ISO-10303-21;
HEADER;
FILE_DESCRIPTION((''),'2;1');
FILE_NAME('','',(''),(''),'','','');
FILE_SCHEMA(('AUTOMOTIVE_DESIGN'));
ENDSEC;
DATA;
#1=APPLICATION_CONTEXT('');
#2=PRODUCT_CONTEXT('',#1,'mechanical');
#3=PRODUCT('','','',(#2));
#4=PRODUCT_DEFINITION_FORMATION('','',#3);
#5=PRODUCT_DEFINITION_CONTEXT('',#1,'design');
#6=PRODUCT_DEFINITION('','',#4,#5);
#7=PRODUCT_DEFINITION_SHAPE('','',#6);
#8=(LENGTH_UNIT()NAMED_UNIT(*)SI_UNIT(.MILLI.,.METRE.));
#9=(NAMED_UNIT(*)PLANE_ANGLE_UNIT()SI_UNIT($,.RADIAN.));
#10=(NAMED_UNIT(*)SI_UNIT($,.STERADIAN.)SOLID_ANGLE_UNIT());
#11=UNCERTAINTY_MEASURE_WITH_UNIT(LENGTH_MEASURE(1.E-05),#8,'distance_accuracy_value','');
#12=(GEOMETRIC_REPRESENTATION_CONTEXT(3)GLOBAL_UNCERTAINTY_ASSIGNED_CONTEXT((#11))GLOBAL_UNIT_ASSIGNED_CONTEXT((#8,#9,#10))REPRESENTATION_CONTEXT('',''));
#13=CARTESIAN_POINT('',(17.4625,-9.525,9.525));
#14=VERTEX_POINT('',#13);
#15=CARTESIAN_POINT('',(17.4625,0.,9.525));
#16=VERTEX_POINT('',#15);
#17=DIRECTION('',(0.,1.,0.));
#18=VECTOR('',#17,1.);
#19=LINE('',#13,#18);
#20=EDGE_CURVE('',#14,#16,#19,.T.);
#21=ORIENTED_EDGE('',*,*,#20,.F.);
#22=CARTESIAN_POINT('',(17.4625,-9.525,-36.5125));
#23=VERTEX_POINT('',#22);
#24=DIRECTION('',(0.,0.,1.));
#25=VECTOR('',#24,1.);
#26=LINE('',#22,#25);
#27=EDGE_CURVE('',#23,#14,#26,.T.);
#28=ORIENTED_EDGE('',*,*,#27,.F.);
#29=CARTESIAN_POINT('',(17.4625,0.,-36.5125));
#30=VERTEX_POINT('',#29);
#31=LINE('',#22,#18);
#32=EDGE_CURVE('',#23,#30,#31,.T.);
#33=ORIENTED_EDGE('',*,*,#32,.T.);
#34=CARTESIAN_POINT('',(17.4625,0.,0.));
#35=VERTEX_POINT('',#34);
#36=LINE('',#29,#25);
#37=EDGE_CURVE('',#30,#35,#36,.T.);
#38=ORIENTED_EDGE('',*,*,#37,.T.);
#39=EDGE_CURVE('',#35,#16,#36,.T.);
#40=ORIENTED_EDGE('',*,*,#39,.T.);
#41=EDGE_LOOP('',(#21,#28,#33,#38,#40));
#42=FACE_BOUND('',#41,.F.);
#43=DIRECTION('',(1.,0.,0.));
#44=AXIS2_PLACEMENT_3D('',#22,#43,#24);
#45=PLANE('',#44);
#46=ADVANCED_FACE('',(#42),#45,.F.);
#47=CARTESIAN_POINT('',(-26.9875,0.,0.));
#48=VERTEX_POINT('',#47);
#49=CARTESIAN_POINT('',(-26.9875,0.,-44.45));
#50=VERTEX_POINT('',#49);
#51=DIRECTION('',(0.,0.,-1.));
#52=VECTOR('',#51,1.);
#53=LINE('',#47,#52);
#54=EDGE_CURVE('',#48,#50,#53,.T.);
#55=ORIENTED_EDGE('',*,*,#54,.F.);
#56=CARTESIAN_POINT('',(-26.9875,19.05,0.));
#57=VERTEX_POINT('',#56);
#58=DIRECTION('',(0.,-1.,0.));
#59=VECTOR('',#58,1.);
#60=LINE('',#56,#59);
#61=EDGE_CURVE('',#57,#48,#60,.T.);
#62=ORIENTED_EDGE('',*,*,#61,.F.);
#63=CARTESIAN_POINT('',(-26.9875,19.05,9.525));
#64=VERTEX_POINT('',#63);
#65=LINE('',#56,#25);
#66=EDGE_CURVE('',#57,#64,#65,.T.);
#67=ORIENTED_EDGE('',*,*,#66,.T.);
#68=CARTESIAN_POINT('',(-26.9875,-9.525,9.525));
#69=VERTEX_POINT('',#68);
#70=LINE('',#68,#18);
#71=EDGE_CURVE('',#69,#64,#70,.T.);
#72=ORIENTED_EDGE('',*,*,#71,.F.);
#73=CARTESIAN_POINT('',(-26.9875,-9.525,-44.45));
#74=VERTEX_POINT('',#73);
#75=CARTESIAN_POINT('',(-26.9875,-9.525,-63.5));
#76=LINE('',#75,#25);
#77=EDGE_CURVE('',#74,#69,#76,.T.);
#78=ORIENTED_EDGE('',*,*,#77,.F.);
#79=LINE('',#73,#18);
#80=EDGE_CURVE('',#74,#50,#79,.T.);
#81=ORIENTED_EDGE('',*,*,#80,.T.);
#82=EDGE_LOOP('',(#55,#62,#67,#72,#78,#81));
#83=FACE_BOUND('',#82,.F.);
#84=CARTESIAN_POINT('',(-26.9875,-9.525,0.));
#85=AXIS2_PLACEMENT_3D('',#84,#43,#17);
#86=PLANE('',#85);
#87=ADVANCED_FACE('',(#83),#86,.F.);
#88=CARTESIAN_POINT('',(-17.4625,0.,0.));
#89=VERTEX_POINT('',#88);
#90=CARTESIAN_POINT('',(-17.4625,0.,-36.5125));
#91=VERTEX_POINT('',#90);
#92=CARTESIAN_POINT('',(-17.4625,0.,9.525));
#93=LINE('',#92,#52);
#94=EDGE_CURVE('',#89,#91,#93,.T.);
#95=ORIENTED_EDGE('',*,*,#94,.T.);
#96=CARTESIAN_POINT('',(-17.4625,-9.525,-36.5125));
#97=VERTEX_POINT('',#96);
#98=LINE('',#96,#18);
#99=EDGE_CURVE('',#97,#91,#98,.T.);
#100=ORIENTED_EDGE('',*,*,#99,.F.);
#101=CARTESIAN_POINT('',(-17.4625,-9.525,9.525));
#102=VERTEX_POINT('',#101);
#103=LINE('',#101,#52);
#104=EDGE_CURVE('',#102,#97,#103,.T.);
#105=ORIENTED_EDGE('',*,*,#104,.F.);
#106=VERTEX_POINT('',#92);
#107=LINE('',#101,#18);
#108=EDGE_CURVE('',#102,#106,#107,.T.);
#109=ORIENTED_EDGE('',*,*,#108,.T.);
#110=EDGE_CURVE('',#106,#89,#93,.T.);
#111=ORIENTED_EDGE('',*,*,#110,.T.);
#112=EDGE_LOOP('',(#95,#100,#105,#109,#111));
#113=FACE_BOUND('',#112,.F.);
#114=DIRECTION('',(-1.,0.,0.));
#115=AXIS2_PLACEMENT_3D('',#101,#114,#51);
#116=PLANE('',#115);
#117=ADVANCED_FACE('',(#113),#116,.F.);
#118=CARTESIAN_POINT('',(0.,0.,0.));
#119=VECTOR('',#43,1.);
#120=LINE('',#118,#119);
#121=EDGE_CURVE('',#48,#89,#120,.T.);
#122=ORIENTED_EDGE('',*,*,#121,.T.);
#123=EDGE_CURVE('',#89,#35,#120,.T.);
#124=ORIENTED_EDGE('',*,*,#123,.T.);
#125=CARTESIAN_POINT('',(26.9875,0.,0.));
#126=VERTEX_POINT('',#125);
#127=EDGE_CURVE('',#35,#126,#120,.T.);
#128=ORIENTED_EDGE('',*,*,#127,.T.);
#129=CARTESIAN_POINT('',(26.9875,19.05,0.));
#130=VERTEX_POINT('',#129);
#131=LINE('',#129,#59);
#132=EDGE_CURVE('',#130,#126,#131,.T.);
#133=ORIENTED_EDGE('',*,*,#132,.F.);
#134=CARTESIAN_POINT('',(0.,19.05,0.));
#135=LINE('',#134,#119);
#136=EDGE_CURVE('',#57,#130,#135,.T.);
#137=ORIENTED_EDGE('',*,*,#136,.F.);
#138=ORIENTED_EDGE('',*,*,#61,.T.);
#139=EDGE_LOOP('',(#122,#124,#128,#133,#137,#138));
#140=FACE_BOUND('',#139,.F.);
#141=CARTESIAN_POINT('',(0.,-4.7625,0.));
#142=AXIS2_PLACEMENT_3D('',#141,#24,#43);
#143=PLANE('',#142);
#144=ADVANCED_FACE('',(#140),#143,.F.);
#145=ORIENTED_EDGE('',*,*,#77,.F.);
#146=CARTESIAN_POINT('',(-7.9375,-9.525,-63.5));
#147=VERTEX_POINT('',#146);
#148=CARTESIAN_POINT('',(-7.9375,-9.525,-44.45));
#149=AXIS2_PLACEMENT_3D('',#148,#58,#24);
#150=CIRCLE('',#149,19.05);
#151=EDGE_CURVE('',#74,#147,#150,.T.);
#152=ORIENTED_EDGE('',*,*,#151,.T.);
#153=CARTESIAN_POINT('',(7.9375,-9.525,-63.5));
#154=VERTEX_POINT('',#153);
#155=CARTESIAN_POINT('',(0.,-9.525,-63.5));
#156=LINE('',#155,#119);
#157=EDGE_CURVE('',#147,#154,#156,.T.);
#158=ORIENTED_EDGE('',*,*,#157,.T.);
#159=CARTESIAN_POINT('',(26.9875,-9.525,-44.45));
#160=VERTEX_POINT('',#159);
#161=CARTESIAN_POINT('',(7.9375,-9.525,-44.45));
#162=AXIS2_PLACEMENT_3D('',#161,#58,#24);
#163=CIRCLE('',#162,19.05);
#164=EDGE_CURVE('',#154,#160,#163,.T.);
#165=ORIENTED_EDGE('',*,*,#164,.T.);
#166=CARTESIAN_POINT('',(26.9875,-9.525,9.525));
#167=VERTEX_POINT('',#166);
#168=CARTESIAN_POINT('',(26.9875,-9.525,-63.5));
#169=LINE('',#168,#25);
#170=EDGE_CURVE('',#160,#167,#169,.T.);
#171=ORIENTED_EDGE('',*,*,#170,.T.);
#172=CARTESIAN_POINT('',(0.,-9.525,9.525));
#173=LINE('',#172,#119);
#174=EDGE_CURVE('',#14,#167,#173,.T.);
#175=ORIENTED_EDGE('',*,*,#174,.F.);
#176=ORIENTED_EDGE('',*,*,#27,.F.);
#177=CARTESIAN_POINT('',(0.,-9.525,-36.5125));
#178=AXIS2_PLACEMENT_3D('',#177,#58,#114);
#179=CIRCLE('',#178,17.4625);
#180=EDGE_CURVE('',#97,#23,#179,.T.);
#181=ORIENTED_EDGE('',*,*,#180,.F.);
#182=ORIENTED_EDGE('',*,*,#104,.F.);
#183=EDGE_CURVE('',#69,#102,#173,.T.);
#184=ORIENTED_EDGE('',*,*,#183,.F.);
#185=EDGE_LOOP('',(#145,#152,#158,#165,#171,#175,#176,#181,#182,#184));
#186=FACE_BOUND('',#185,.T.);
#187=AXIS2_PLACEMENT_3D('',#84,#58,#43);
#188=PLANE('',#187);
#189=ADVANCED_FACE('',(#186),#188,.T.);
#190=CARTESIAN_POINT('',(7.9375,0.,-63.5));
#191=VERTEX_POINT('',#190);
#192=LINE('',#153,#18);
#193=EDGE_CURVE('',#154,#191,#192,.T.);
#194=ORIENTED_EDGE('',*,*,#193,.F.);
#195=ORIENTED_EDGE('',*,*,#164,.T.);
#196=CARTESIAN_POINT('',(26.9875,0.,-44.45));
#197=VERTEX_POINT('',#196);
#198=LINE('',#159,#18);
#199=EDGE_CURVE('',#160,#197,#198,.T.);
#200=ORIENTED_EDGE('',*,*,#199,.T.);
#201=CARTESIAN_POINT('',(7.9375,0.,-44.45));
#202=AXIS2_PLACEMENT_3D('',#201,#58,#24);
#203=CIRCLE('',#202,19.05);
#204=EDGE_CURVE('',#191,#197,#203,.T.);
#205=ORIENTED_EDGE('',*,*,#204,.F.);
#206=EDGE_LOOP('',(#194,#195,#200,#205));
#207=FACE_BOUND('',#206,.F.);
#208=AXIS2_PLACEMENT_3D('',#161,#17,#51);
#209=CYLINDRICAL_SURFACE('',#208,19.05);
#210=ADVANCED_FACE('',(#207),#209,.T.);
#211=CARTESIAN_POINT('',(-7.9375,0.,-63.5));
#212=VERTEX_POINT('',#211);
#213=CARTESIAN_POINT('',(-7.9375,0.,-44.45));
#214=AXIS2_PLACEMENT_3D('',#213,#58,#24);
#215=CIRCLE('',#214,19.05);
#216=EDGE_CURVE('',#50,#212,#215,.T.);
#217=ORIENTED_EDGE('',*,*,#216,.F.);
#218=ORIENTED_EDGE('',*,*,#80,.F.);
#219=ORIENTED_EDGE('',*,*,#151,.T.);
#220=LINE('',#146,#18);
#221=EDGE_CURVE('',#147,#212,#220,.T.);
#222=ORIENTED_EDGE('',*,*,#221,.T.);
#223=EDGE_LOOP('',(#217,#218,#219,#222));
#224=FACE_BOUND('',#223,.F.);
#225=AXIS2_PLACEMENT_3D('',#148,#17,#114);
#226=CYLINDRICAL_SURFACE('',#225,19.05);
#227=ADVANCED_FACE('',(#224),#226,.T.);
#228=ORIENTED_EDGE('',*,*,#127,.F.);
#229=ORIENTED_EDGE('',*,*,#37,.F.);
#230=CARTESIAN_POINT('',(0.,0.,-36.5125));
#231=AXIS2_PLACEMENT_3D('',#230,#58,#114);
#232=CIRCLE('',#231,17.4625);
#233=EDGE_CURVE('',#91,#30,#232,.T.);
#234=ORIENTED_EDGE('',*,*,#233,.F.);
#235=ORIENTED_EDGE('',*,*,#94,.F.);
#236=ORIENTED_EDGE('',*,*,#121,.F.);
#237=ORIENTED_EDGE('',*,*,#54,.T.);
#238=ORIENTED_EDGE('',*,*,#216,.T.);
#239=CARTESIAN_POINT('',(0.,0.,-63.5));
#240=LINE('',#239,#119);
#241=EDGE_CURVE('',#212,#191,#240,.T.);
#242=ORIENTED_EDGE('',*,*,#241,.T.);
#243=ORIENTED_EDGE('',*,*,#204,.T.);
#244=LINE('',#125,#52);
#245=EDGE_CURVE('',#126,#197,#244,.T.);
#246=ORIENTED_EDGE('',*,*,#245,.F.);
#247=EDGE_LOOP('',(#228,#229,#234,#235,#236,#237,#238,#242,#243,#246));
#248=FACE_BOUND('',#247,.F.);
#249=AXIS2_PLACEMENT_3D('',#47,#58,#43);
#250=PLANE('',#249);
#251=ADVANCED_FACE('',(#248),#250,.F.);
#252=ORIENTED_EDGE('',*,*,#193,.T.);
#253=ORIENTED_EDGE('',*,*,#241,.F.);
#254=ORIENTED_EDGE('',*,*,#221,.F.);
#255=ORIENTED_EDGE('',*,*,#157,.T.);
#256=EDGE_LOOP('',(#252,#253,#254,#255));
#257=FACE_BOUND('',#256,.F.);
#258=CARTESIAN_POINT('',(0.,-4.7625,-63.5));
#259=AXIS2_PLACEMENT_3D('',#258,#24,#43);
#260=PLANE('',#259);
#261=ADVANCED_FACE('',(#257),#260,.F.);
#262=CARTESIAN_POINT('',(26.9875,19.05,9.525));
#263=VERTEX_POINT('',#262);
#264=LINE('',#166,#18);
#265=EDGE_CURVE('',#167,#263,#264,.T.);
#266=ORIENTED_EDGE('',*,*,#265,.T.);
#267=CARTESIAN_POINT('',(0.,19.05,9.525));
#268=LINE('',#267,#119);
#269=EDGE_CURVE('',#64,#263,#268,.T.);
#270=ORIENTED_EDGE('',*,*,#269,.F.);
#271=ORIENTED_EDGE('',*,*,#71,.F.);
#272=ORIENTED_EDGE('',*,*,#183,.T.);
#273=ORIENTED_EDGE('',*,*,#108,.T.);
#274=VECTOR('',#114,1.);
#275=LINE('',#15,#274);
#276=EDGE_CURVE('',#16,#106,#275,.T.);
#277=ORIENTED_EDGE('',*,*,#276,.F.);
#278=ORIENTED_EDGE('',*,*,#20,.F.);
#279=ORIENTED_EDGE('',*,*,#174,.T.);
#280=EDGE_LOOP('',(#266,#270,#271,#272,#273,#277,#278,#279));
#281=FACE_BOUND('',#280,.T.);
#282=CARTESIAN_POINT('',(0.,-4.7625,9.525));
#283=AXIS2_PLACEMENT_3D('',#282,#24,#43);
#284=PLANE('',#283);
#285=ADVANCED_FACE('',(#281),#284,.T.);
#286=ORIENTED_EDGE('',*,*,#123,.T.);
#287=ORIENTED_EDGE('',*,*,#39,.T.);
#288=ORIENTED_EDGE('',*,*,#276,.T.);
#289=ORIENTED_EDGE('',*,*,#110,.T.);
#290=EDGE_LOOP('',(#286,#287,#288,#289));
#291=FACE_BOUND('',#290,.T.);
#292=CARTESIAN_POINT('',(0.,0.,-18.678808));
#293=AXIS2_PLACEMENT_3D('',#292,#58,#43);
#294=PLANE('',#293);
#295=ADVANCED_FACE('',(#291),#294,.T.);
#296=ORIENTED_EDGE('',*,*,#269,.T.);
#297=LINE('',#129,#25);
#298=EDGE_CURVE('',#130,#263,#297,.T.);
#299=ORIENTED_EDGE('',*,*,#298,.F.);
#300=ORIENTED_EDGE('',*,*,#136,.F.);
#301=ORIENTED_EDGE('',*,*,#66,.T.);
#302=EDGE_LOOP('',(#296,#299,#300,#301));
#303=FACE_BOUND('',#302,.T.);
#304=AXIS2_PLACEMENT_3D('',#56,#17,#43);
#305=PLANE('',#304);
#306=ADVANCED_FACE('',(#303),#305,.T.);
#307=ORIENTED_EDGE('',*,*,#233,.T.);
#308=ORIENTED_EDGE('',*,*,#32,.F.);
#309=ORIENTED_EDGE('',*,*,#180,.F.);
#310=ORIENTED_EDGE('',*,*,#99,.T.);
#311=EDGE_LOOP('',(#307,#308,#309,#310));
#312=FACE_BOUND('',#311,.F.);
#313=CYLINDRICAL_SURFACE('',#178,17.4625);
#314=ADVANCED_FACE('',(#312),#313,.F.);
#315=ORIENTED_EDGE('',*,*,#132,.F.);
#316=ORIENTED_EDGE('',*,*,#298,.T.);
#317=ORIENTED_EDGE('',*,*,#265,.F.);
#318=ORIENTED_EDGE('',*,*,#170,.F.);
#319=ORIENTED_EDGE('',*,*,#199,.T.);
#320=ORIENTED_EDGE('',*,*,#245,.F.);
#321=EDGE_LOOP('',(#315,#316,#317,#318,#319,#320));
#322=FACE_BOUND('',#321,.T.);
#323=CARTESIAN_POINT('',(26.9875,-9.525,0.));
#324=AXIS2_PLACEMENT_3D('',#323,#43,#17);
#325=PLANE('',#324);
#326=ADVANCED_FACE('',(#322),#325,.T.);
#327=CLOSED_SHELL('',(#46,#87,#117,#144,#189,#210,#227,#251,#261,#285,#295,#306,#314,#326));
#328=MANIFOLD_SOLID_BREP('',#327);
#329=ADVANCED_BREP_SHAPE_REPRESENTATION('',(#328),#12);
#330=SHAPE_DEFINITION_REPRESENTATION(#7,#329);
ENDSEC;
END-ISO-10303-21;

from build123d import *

# Parameters (mm, degrees)
F0_W          = 53.975
F0_H          = 19.05
F1_DEPTH      = 9.525
F2_W          = 53.975
F2_H          = 9.525
F3_DEPTH      = 9.525
F3_DEPTH_BACK = 63.5
F5_DEPTH      = 9.525
F6_R          = 19.05


with BuildPart() as f1:
    # F0 (on Top) → F1 (new body)
    with BuildSketch(Plane.XY):
        with Locations((0, 9.525)):
            Rectangle(F0_W, F0_H)
    extrude(amount=F1_DEPTH)

    # F2 (on Top) → F3 (join, two sides)
    with BuildSketch(Plane.XY) as f3_sk:
        with Locations((0, -4.7625)):
            Rectangle(F2_W, F2_H)
    extrude(amount=F3_DEPTH)
    extrude(f3_sk.sketch, amount=-F3_DEPTH_BACK)

    # F4 (on face) → F5 (cut)
    with BuildSketch(Plane.XZ.offset(9.525)):
        with BuildLine():
            Line((17.4625, 9.525), (-17.4625, 9.525))
            Line((-17.4625, 9.525), (-17.4625, -36.5125))
            ThreePointArc((-17.4625, -36.5125), (0, -53.975), (17.4625, -36.5125))
            Line((17.4625, -36.5125), (17.4625, 9.525))
        make_face()
    extrude(amount=-F5_DEPTH, mode=Mode.SUBTRACT)

    # F6
    f6_edges = [f1.edges().sort_by_distance(p)[0] for p in [
        (26.9875, -4.7625, -63.5),
        (-26.9875, -4.7625, -63.5),
    ]]
    fillet(f6_edges, radius=F6_R)


solid = f1.part
